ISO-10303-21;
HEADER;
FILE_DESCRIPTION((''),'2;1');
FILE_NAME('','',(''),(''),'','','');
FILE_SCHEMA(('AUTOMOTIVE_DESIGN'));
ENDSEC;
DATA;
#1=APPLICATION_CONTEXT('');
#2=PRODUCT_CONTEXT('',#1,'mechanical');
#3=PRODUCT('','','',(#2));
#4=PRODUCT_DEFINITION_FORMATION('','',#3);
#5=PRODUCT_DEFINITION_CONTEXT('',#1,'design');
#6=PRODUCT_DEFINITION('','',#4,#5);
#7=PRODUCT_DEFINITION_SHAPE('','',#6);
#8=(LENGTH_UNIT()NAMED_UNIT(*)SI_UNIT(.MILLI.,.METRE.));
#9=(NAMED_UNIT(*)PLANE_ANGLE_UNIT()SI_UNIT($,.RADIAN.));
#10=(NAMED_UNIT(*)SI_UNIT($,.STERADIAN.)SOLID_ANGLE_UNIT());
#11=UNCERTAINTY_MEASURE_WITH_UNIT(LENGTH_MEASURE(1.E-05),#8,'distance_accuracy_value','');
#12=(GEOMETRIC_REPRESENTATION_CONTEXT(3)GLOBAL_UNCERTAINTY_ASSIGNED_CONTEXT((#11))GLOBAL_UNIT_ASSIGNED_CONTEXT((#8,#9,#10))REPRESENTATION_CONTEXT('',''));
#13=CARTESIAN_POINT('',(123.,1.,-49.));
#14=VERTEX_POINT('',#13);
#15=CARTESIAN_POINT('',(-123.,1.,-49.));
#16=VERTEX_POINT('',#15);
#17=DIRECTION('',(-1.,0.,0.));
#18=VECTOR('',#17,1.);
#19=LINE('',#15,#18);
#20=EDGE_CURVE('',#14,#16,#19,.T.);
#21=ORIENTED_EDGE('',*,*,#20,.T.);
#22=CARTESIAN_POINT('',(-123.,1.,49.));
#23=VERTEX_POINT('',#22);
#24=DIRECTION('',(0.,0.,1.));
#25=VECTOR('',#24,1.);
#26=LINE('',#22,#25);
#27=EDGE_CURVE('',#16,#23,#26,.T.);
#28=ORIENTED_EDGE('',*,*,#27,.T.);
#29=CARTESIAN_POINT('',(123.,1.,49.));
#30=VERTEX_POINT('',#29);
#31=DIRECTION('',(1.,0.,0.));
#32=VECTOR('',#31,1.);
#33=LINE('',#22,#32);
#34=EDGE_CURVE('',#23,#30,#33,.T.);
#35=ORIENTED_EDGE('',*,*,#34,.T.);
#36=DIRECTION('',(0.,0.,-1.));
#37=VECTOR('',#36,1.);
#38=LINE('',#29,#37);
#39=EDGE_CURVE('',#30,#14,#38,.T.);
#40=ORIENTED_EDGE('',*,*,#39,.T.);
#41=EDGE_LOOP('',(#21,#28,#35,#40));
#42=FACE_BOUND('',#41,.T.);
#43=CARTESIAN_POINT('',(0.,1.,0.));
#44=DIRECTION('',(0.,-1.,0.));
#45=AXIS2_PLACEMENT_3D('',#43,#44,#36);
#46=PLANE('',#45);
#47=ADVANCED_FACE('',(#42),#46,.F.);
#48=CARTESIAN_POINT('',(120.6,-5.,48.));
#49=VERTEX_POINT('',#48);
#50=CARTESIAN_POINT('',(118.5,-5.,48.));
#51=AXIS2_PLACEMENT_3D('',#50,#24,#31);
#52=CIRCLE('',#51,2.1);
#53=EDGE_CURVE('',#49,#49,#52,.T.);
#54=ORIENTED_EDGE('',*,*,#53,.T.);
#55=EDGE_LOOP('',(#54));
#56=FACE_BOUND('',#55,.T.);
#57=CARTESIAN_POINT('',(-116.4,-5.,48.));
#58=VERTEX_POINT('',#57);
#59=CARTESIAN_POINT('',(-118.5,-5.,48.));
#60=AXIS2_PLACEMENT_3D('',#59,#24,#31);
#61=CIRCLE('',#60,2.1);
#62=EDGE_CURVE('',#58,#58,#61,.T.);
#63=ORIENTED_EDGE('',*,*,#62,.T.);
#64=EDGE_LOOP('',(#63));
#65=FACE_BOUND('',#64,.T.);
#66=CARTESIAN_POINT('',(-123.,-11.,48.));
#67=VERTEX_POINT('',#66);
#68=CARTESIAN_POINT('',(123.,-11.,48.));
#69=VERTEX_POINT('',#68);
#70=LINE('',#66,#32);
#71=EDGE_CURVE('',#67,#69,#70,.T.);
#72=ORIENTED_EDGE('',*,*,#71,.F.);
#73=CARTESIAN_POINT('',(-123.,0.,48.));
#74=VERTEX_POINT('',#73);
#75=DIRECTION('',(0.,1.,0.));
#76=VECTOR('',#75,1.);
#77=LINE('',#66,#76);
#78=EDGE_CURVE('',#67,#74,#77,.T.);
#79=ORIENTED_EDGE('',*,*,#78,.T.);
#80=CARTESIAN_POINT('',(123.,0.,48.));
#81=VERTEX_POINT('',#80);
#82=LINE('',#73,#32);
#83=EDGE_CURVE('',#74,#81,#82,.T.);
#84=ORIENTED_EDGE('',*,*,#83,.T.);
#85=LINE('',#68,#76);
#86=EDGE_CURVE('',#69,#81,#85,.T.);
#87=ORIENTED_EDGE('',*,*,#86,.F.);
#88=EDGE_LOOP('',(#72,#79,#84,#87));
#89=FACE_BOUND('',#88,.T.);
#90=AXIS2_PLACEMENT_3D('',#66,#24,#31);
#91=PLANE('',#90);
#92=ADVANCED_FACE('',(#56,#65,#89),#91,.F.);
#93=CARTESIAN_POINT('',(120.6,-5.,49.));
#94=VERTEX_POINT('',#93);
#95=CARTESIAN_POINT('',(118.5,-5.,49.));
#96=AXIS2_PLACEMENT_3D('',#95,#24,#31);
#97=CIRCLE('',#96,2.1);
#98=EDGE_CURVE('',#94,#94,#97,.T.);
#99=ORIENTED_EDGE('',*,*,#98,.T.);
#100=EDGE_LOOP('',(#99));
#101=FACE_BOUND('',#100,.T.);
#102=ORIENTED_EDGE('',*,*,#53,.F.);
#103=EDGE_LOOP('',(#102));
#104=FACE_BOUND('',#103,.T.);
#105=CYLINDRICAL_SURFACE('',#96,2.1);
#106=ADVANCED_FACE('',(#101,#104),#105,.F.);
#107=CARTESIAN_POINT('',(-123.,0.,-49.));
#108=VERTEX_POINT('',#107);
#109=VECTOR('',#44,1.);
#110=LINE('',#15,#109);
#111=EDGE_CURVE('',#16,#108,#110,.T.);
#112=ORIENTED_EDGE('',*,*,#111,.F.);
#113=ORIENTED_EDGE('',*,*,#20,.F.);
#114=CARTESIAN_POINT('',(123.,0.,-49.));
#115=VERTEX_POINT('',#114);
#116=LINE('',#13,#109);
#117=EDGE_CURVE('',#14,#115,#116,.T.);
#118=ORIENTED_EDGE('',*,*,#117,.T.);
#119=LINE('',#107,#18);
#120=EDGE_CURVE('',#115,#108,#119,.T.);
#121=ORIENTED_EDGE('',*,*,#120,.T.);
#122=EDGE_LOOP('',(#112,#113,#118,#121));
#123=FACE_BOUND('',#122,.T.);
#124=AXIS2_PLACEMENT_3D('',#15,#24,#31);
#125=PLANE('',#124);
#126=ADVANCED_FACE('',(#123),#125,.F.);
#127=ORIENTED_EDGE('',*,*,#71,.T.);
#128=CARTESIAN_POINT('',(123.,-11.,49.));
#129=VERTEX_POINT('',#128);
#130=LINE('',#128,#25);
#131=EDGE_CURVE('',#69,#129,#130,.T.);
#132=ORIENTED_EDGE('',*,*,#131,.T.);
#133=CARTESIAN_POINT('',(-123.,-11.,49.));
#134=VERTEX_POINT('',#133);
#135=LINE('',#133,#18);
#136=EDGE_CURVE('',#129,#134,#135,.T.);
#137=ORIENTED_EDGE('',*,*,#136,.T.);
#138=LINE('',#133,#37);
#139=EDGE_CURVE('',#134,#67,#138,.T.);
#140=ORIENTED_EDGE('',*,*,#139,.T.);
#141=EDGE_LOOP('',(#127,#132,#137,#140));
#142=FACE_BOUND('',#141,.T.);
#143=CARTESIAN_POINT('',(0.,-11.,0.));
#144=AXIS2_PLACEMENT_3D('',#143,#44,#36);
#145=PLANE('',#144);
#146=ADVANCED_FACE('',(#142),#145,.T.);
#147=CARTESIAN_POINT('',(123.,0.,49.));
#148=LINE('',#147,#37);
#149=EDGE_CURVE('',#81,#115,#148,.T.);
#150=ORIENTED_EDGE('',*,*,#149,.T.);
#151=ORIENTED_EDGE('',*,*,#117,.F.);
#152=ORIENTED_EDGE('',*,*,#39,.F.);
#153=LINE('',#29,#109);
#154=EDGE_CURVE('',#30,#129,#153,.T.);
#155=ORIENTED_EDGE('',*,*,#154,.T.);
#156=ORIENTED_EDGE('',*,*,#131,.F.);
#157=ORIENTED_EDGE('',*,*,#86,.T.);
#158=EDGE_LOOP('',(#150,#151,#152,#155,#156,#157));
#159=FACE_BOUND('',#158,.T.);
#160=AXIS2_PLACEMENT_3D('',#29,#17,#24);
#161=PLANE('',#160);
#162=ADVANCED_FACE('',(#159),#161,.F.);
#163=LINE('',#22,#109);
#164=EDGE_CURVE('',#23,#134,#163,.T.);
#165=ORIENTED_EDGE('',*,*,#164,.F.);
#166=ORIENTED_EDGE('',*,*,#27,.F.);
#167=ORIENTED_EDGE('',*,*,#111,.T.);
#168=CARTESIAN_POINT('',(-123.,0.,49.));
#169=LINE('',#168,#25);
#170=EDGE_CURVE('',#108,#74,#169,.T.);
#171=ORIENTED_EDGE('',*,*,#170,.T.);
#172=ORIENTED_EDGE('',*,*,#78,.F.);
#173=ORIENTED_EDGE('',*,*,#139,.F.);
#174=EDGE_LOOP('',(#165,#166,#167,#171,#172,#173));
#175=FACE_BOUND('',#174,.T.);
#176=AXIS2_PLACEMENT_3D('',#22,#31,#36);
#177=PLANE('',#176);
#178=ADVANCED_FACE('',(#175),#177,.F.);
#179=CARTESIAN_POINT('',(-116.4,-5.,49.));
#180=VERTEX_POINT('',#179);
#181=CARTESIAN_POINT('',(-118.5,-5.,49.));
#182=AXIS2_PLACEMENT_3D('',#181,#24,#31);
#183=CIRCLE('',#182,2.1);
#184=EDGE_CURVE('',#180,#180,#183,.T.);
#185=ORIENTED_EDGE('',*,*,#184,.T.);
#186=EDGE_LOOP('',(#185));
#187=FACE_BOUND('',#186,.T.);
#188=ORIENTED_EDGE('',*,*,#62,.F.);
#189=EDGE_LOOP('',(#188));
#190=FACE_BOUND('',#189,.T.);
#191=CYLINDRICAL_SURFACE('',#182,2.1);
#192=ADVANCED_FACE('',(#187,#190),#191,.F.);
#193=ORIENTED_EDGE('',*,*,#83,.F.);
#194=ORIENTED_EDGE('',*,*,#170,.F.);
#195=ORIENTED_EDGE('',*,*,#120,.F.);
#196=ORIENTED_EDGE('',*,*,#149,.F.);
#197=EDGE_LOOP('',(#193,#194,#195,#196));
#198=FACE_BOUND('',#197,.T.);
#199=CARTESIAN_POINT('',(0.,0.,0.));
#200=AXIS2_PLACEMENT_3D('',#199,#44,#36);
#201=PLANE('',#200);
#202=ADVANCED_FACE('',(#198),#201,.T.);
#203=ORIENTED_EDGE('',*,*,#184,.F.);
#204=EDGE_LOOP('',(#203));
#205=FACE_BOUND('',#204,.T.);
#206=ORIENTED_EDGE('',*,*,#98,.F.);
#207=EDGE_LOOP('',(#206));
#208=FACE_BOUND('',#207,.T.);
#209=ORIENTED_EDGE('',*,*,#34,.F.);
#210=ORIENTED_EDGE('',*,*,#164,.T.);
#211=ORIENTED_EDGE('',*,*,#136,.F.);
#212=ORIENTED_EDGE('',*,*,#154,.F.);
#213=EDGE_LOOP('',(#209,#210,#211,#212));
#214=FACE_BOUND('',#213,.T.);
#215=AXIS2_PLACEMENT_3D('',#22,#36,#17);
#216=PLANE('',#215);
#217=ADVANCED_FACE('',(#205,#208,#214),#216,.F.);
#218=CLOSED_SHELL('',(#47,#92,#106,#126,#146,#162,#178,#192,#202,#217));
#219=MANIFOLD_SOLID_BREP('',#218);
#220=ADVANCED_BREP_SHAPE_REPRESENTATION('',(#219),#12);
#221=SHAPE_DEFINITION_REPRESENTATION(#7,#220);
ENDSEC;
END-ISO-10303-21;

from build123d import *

# Parameters (mm, degrees)
SKETCH_1_W        = 246
SKETCH_1_H        = 98
EXTRUDE_1_DEPTH   = 1
SKETCH_2_W        = 246
SKETCH_2_H        = 1
EXTRUDE_2_DEPTH   = 11
HOLE_WIZARD_M41_D = 4.2


with BuildPart() as part:
    # Эскиз1 → Бобышка-Вытянуть1 (new body)
    with BuildSketch(Plane(origin=(0, 0, 0), x_dir=(1, 0, 0), z_dir=(0, 1, 0))):
        Rectangle(SKETCH_1_W, SKETCH_1_H)
    extrude(amount=EXTRUDE_1_DEPTH)

    # Эскиз2 → Бобышка-Вытянуть2 (add)
    with BuildSketch(Plane.XZ):
        with Locations((0, 48.5)):
            Rectangle(SKETCH_2_W, SKETCH_2_H)
    extrude(amount=EXTRUDE_2_DEPTH)

    # Сверло под метчик  спиральное M41 (through all)
    with Locations(Plane.XY.offset(49)):
        with Locations((118.5, -5), (-118.5, -5)):
            Hole(HOLE_WIZARD_M41_D / 2)


solid = part.part
